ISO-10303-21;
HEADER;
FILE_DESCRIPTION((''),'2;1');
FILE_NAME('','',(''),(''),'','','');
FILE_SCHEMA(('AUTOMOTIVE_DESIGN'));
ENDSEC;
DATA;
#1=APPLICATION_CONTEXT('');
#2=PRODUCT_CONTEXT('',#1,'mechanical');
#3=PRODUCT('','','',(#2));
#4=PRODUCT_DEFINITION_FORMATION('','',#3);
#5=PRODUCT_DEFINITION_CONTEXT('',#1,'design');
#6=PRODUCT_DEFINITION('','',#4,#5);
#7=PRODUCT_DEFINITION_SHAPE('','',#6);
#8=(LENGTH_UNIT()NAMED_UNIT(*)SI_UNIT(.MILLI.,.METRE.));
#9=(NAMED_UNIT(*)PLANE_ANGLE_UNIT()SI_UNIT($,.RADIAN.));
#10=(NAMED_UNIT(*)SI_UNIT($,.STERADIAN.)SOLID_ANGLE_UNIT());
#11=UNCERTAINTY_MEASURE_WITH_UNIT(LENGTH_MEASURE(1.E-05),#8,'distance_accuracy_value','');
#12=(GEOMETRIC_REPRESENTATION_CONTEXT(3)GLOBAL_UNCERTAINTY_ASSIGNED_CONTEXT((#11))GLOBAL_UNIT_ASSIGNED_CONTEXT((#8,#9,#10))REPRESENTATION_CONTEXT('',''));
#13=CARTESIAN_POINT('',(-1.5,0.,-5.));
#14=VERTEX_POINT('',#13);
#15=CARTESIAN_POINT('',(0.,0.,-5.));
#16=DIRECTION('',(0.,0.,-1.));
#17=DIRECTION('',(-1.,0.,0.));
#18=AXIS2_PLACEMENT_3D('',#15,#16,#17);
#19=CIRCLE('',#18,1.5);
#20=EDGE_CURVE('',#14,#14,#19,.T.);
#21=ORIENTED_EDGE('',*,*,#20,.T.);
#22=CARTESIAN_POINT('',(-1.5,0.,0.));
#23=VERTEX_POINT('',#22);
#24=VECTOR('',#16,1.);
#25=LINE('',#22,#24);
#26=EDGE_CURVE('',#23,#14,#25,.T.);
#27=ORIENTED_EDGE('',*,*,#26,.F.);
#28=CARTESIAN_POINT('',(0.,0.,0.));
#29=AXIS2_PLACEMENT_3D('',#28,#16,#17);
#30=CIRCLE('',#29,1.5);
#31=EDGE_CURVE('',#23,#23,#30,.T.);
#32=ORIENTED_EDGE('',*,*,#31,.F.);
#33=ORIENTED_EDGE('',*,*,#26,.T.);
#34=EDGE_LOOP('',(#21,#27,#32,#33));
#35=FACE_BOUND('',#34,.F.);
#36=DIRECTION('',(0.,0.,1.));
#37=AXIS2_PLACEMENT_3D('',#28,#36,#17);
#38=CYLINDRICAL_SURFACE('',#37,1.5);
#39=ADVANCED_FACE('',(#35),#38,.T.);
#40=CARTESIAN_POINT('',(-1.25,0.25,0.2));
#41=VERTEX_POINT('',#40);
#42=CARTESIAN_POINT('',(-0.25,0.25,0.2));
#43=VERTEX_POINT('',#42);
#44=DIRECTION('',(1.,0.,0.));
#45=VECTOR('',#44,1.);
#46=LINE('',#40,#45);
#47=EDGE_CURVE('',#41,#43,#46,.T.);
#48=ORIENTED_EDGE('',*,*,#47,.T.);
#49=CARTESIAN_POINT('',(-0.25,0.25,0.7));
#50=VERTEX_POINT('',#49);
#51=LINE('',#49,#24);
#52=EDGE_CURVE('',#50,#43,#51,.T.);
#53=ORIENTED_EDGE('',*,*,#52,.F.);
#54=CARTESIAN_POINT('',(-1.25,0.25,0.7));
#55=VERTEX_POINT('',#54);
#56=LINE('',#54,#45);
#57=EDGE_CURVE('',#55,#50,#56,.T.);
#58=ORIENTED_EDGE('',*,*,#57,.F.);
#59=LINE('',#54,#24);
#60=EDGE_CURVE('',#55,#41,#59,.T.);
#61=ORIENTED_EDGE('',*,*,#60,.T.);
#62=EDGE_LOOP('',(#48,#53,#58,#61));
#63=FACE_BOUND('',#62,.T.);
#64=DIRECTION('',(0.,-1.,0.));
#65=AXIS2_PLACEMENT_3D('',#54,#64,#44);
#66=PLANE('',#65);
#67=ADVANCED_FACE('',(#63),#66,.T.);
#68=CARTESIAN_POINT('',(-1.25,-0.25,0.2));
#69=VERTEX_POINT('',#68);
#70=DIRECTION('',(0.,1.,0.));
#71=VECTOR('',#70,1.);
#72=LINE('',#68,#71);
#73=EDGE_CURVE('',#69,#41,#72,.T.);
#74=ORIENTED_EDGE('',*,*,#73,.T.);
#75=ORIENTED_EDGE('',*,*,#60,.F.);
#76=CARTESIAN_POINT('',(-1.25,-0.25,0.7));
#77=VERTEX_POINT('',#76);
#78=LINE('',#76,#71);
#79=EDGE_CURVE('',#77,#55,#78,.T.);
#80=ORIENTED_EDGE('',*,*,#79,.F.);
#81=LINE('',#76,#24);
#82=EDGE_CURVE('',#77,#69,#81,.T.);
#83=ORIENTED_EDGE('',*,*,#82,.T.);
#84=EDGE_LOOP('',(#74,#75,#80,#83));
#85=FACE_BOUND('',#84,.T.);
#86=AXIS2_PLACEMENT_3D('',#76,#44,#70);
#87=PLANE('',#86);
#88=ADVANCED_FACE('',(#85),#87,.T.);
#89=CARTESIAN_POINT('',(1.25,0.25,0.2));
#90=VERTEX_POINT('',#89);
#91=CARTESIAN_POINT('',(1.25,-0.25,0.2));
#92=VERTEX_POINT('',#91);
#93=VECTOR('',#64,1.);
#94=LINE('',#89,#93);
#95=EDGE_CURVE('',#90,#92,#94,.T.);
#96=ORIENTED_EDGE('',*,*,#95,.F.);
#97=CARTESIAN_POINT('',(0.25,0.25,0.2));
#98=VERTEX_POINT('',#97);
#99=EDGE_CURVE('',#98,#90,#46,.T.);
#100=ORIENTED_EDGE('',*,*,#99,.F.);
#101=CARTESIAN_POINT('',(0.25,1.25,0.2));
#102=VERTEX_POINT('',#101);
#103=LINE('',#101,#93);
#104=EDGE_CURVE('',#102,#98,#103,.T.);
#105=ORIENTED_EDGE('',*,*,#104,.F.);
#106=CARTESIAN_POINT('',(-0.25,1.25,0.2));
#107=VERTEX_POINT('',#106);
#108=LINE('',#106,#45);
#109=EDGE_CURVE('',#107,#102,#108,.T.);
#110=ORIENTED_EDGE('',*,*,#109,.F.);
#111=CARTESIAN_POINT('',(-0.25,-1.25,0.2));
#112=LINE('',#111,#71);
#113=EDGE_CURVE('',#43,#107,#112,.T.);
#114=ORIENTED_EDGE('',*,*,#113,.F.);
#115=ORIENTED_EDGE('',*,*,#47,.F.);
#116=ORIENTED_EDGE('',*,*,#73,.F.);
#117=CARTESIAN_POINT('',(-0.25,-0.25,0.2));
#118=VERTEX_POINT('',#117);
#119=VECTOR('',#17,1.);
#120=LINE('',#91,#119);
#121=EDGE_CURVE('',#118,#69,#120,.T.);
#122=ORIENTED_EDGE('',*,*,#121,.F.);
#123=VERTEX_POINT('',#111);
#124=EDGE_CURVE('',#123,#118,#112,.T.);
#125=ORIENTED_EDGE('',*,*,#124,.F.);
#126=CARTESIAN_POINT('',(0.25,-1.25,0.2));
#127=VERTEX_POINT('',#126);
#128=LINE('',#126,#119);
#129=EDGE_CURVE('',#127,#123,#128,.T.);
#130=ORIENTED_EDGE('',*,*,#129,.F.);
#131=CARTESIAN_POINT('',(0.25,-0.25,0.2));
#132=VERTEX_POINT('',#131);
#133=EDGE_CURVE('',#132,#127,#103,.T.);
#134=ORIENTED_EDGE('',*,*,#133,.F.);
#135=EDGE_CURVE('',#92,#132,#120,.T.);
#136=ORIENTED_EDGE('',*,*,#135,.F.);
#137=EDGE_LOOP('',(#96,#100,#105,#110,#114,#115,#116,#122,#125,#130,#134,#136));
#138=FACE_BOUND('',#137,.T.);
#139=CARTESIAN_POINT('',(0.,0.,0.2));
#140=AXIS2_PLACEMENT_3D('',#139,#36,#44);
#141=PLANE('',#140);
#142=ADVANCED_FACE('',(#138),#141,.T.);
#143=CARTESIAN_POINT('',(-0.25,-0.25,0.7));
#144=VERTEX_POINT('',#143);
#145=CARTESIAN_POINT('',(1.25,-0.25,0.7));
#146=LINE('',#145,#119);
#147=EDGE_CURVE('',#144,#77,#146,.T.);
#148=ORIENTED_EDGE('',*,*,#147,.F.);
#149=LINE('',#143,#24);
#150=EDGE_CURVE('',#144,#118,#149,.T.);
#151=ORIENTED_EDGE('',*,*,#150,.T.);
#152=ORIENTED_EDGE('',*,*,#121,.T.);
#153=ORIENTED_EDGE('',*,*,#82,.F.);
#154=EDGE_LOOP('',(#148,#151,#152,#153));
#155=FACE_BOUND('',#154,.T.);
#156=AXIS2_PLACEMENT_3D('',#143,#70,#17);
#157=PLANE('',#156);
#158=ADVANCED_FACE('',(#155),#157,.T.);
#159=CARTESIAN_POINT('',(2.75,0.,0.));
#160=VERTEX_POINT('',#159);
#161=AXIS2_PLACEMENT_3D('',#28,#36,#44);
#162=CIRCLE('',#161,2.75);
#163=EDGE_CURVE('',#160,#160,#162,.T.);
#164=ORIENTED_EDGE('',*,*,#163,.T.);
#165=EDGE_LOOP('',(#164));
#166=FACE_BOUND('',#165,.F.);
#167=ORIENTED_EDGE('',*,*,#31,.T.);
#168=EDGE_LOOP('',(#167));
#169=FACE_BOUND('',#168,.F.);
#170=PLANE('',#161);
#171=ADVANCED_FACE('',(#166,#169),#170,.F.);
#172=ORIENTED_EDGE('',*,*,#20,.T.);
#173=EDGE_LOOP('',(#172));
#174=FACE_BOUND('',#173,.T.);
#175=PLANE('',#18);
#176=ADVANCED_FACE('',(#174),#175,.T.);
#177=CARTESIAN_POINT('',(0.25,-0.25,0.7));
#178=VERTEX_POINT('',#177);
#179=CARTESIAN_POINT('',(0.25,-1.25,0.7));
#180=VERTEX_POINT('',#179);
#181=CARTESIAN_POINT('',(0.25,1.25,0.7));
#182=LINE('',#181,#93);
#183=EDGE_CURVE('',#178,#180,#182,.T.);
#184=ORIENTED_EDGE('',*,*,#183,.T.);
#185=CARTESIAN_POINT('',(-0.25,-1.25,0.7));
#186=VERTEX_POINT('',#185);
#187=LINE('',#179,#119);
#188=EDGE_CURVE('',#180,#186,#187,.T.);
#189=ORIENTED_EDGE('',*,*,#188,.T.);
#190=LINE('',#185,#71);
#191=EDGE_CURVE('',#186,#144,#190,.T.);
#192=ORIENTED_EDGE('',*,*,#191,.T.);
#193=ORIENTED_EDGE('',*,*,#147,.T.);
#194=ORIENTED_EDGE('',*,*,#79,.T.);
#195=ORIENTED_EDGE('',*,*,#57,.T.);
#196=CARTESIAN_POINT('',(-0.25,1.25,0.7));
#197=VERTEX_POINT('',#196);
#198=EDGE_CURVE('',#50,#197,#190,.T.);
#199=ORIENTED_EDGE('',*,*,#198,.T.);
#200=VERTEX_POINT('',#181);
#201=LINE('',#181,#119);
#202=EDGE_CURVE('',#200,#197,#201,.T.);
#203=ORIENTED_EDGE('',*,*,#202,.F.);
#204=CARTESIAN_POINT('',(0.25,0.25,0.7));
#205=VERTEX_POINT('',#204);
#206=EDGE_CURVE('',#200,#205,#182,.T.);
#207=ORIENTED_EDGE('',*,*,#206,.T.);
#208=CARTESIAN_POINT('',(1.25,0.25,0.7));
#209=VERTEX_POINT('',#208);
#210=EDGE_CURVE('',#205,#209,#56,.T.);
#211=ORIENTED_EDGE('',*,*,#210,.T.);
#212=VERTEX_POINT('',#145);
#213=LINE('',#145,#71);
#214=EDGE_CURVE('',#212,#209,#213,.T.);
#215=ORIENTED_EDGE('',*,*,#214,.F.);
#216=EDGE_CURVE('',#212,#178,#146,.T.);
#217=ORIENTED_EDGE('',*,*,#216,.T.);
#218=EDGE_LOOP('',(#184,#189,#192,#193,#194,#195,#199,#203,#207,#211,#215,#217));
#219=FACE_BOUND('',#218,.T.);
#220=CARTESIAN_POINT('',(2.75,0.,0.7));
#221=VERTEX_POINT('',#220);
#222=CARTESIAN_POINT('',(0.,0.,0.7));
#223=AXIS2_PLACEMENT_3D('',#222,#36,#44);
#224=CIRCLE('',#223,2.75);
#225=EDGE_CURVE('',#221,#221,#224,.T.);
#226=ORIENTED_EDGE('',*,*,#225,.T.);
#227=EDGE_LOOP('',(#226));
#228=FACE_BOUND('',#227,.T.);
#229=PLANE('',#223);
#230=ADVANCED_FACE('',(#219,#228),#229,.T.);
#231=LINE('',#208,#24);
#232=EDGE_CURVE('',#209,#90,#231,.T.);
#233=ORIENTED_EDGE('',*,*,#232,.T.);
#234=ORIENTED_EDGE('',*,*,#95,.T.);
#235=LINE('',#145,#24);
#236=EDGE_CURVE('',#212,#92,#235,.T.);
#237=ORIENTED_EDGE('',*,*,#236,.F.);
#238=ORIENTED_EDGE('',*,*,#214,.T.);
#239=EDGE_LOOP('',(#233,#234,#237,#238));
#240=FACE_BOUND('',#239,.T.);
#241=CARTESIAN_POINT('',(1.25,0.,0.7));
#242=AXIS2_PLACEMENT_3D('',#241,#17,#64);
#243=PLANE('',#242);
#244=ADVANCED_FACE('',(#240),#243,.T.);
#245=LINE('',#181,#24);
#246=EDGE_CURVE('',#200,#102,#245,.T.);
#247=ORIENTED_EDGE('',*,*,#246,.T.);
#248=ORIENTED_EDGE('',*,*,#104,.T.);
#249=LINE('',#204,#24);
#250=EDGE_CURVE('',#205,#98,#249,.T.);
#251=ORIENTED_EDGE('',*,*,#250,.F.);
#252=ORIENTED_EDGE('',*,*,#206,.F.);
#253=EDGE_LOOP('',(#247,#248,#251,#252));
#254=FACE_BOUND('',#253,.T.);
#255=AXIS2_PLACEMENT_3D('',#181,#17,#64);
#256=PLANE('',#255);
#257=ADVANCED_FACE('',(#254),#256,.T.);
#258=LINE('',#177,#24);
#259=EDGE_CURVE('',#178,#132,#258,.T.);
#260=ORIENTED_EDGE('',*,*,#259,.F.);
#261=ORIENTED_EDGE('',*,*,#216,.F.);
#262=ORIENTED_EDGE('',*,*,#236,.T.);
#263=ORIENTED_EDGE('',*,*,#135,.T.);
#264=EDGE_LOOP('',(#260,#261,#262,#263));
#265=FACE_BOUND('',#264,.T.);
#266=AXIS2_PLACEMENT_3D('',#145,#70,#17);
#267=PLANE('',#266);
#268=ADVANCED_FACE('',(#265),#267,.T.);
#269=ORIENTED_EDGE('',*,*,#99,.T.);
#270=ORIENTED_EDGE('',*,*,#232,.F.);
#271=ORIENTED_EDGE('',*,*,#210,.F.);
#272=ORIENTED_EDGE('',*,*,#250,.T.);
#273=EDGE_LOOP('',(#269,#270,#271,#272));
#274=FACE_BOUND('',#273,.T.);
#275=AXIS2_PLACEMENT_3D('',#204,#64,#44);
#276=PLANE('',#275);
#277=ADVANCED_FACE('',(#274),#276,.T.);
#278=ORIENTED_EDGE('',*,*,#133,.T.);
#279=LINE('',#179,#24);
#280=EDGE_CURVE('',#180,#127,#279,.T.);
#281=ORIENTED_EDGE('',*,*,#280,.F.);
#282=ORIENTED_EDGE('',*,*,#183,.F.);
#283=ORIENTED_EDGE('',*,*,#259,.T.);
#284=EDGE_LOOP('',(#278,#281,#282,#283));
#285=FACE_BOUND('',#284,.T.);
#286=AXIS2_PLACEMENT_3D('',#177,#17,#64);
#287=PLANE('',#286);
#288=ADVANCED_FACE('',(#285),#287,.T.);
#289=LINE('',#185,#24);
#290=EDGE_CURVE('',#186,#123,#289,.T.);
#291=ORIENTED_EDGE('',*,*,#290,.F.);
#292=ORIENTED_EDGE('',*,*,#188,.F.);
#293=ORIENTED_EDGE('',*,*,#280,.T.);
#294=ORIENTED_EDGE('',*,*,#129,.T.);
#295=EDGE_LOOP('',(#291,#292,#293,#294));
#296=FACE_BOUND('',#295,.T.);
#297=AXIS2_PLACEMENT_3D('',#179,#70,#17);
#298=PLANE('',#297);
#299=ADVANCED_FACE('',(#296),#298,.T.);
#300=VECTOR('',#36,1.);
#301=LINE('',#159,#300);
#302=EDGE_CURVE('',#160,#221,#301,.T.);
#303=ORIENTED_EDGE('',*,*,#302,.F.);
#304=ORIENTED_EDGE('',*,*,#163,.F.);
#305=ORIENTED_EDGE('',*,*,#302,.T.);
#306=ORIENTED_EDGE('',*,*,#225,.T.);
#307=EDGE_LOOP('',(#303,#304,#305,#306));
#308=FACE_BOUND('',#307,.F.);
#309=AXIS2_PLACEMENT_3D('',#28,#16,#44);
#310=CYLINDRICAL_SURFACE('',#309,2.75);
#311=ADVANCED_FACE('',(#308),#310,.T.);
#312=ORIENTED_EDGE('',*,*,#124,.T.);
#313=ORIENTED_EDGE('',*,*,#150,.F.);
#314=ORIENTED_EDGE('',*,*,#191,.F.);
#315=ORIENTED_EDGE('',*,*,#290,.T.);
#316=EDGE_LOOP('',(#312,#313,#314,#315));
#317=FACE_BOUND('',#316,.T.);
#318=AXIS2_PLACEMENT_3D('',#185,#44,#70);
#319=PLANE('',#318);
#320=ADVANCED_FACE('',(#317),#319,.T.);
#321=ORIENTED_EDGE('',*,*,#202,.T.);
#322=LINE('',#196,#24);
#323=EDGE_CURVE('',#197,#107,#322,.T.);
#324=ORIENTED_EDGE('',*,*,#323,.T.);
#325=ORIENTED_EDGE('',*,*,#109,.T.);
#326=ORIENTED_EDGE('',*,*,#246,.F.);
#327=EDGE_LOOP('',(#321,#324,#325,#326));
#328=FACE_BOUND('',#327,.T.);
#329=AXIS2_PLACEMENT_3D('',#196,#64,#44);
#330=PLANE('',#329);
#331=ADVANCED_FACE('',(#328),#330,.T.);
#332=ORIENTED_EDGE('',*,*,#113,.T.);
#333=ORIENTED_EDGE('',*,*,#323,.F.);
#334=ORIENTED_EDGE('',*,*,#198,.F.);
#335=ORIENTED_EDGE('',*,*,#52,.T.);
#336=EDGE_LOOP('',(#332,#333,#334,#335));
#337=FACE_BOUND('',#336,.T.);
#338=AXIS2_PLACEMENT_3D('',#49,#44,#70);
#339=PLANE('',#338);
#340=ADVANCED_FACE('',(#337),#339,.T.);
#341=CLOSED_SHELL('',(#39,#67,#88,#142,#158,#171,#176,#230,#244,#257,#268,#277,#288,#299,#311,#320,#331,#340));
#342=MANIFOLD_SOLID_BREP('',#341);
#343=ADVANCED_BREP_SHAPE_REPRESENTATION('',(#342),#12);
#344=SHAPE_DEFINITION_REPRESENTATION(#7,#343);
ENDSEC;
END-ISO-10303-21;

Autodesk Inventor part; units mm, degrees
ref_plane "YZ Plane" through (0, 0, 0) normal (1, 0, 0) x (0, 1, 0)
ref_plane "XZ Plane" through (0, 0, 0) normal (0, 1, 0) x (-1, 0, 0)
ref_plane "XY Plane" through (0, 0, 0) normal (0, 0, 1) x (1, 0, 0)
sketch "スケッチ1" plane through (0, 0, 0) normal (0, 0, 1) x (1, 0, 0)
  circle A0 centre (0, 0) radius 2.75
  dimension "d0" = 5.5
extrude "押し出し1" add sketch "スケッチ1" along normal blind 0.7
sketch "スケッチ2" plane through (0, 0, 0) normal (0, 0, -1) x (-1, 0, 0)
  circle A0 centre (0, 0) radius 1.5
  dimension "d3" = 3
extrude "押し出し2" add sketch "スケッチ2" along normal blind 5
sketch "スケッチ3" plane through (0, 0, 0.7) normal (0, 0, 1) x (1, 0, 0)
  line L0 (-1.25, 0.25) -> (1.25, 0.25)
  line L1 (1.25, 0.25) -> (1.25, -0.25)
  line L2 (1.25, -0.25) -> (-1.25, -0.25)
  line L3 (-1.25, -0.25) -> (-1.25, 0.25)
  line L4 (-0.25, 1.25) -> (0.25, 1.25)
  line L5 (0.25, 1.25) -> (0.25, -1.25)
  line L6 (0.25, -1.25) -> (-0.25, -1.25)
  line L7 (-0.25, -1.25) -> (-0.25, 1.25)
  line L8 (0, 0) -> (0, 1.7976)
  line L9 (0, 0) -> (2.75, 0)
  circle A0 centre (0, 0) radius 2.75 projected
  point P0 (-0.25, 0.25)
  point P1 (-0.25, -0.25)
  point P2 (0.25, -0.25)
  point P3 (0.25, 0.25)
  dimension "d6" = 0.5
  dimension "d7" = 0.5
  dimension "d8" = 2.5
  dimension "d9" = 2.5
extrude "押し出し3" cut sketch "スケッチ3" against normal blind 0.5 contours L0 L7 L2 L3 | L7 L4 L8 L0 | L0 L8 L9 L5 L2 L7 | L8 L4 L5 L0 | L0 L5 L9 L8 | L2 L5 L6 L7 | L0 L1 L9 L5 | L5 L9 L1 L2
properties part number "CSPELH-SUS-M3-5"
